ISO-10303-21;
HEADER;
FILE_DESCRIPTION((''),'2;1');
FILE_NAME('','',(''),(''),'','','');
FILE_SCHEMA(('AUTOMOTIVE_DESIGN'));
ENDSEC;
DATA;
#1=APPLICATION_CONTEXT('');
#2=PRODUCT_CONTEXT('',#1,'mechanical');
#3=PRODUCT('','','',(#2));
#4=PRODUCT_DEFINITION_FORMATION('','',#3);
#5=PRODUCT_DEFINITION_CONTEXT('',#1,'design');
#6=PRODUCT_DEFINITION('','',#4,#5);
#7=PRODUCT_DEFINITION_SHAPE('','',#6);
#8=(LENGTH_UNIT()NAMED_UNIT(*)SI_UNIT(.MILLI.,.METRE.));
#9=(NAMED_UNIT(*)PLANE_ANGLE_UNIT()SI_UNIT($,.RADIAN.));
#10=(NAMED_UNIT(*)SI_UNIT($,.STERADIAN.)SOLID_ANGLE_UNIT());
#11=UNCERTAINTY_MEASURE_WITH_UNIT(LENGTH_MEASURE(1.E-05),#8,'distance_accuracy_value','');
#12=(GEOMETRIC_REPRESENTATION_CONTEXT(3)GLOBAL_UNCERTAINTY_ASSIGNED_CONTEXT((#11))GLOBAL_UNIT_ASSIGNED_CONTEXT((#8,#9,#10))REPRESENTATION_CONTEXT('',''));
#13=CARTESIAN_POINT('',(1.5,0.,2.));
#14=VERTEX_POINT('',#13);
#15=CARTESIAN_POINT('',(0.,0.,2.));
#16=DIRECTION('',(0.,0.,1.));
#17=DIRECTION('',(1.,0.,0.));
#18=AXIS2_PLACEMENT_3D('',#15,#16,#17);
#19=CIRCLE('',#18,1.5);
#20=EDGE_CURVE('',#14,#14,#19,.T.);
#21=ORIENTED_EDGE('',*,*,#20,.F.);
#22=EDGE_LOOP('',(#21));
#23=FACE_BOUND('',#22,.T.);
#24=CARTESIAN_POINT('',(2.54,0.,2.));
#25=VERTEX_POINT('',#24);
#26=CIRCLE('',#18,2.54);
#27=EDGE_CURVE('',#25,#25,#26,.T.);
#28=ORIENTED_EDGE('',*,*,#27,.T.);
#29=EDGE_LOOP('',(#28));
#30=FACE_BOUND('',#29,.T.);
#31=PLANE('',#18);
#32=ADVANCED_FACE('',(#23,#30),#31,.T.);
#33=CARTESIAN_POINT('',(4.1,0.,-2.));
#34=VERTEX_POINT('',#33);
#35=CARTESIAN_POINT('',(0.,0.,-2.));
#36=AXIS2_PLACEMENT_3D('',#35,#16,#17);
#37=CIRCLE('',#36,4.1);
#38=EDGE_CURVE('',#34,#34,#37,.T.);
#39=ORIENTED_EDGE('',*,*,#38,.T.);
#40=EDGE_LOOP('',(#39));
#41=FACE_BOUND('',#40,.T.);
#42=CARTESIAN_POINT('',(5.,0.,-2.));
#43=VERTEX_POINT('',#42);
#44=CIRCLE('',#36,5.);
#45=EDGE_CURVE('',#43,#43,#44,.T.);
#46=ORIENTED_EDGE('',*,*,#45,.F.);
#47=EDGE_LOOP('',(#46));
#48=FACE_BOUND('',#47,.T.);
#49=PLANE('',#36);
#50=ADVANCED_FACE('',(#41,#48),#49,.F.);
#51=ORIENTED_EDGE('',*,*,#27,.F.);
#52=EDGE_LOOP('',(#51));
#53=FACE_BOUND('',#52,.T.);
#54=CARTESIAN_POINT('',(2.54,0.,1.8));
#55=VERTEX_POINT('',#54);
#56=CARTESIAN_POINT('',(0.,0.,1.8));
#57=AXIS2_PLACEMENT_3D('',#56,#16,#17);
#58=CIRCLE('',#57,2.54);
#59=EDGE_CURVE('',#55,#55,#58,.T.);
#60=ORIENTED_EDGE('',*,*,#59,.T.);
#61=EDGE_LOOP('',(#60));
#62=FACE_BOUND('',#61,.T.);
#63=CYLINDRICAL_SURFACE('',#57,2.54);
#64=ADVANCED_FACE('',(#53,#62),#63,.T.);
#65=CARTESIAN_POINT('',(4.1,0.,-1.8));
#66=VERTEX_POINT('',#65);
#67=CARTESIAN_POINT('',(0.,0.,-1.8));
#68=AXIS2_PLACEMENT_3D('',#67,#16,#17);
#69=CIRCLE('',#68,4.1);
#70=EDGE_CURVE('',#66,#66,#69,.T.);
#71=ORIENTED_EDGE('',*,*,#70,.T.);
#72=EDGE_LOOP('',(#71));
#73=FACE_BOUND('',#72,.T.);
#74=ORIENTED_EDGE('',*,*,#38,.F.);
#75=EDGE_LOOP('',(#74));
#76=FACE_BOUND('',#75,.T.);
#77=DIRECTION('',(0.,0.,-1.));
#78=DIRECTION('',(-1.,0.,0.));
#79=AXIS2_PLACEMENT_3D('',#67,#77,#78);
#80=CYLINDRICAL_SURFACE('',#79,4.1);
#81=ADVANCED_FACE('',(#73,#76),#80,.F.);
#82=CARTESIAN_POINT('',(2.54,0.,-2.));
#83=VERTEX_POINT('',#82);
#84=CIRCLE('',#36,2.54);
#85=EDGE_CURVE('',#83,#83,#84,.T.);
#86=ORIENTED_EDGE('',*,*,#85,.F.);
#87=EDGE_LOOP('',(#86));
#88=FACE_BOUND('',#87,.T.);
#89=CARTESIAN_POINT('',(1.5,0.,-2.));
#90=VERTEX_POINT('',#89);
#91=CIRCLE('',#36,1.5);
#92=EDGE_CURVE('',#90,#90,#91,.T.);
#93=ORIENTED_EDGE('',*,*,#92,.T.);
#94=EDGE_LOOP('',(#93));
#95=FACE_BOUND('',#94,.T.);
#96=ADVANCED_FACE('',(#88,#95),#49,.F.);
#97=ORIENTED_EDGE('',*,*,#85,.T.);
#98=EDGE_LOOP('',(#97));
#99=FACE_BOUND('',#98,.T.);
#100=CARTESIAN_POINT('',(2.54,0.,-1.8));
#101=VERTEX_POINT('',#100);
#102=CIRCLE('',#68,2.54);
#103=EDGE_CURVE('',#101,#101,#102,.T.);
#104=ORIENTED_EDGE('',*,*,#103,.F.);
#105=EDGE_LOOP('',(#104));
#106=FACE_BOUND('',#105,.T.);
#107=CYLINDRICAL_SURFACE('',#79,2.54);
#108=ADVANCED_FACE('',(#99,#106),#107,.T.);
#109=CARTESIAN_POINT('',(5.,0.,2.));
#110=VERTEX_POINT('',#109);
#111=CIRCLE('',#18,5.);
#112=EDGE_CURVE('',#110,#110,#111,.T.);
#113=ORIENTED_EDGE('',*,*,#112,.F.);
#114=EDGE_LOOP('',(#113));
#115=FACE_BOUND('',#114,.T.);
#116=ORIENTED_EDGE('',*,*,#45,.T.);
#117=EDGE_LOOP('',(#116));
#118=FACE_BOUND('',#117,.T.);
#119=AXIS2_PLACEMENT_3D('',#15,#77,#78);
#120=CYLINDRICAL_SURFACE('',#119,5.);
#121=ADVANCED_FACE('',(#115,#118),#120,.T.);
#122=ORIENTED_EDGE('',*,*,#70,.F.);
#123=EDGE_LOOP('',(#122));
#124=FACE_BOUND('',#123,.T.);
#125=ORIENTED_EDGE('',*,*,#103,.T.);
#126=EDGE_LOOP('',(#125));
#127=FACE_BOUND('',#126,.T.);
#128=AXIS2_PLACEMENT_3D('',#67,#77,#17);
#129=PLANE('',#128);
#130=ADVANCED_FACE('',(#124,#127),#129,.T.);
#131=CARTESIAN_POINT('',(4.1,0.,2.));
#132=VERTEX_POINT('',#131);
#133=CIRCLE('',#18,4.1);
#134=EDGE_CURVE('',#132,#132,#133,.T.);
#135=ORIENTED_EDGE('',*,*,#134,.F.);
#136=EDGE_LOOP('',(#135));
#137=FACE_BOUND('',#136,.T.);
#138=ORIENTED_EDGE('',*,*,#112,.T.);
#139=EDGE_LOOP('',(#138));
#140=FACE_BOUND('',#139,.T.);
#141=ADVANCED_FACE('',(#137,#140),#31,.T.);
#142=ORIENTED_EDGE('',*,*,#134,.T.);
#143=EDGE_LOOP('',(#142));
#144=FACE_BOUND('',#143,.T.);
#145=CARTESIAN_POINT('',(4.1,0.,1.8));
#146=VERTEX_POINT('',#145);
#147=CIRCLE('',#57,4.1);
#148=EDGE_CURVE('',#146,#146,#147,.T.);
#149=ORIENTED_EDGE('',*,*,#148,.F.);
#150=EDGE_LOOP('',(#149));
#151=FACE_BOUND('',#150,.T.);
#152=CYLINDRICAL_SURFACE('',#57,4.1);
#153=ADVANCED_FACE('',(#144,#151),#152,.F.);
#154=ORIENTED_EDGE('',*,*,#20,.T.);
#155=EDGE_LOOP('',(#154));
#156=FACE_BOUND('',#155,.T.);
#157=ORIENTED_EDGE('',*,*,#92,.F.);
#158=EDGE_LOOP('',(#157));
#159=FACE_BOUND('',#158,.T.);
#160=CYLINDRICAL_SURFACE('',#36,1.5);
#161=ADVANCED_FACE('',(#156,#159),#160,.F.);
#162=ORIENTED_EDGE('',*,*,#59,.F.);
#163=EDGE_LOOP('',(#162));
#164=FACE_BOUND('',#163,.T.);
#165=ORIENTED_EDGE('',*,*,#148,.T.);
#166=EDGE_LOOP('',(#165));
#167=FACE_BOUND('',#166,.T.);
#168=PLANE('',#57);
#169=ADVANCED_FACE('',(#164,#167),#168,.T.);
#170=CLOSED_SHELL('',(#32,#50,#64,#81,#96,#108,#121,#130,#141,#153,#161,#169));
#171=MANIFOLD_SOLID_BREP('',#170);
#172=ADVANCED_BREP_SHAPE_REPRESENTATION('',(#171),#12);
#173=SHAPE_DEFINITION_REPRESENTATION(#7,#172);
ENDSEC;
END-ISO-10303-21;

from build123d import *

# Parameters (mm, degrees)
SKETCH_1_R          = 5
EXTRUDE_1_DEPTH     = 2
SKETCH_2_R          = 1.5
CUT_EXTRUDE_1_DEPTH = 5
SKETCH_3_R          = 4.1
SKETCH_3_R_2        = 2.54
CUT_EXTRUDE_2_DEPTH = 0.2


with BuildPart() as part:
    # 草圖1 → 填料-伸長1 (new body, symmetric)
    with BuildSketch(Plane.XY):
        Circle(SKETCH_1_R)
    extrude(amount=EXTRUDE_1_DEPTH, both=True)

    # 草圖2 → 除料-伸長1 (cut, through all)
    with BuildSketch(Plane.XY.offset(2)):
        Circle(SKETCH_2_R)
    extrude(amount=-CUT_EXTRUDE_1_DEPTH, mode=Mode.SUBTRACT)

    # 草圖3 → 除料-伸長2 (cut)
    with BuildSketch(Plane.XY.offset(2)):
        Circle(SKETCH_3_R)
        Circle(SKETCH_3_R_2, mode=Mode.SUBTRACT)
    cut_extrude_2 = extrude(amount=-CUT_EXTRUDE_2_DEPTH, mode=Mode.SUBTRACT)

    # 鏡射1: 除料-伸長2 across plane
    add(cut_extrude_2.mirror(Plane.XY), mode=Mode.SUBTRACT)


solid = part.part
